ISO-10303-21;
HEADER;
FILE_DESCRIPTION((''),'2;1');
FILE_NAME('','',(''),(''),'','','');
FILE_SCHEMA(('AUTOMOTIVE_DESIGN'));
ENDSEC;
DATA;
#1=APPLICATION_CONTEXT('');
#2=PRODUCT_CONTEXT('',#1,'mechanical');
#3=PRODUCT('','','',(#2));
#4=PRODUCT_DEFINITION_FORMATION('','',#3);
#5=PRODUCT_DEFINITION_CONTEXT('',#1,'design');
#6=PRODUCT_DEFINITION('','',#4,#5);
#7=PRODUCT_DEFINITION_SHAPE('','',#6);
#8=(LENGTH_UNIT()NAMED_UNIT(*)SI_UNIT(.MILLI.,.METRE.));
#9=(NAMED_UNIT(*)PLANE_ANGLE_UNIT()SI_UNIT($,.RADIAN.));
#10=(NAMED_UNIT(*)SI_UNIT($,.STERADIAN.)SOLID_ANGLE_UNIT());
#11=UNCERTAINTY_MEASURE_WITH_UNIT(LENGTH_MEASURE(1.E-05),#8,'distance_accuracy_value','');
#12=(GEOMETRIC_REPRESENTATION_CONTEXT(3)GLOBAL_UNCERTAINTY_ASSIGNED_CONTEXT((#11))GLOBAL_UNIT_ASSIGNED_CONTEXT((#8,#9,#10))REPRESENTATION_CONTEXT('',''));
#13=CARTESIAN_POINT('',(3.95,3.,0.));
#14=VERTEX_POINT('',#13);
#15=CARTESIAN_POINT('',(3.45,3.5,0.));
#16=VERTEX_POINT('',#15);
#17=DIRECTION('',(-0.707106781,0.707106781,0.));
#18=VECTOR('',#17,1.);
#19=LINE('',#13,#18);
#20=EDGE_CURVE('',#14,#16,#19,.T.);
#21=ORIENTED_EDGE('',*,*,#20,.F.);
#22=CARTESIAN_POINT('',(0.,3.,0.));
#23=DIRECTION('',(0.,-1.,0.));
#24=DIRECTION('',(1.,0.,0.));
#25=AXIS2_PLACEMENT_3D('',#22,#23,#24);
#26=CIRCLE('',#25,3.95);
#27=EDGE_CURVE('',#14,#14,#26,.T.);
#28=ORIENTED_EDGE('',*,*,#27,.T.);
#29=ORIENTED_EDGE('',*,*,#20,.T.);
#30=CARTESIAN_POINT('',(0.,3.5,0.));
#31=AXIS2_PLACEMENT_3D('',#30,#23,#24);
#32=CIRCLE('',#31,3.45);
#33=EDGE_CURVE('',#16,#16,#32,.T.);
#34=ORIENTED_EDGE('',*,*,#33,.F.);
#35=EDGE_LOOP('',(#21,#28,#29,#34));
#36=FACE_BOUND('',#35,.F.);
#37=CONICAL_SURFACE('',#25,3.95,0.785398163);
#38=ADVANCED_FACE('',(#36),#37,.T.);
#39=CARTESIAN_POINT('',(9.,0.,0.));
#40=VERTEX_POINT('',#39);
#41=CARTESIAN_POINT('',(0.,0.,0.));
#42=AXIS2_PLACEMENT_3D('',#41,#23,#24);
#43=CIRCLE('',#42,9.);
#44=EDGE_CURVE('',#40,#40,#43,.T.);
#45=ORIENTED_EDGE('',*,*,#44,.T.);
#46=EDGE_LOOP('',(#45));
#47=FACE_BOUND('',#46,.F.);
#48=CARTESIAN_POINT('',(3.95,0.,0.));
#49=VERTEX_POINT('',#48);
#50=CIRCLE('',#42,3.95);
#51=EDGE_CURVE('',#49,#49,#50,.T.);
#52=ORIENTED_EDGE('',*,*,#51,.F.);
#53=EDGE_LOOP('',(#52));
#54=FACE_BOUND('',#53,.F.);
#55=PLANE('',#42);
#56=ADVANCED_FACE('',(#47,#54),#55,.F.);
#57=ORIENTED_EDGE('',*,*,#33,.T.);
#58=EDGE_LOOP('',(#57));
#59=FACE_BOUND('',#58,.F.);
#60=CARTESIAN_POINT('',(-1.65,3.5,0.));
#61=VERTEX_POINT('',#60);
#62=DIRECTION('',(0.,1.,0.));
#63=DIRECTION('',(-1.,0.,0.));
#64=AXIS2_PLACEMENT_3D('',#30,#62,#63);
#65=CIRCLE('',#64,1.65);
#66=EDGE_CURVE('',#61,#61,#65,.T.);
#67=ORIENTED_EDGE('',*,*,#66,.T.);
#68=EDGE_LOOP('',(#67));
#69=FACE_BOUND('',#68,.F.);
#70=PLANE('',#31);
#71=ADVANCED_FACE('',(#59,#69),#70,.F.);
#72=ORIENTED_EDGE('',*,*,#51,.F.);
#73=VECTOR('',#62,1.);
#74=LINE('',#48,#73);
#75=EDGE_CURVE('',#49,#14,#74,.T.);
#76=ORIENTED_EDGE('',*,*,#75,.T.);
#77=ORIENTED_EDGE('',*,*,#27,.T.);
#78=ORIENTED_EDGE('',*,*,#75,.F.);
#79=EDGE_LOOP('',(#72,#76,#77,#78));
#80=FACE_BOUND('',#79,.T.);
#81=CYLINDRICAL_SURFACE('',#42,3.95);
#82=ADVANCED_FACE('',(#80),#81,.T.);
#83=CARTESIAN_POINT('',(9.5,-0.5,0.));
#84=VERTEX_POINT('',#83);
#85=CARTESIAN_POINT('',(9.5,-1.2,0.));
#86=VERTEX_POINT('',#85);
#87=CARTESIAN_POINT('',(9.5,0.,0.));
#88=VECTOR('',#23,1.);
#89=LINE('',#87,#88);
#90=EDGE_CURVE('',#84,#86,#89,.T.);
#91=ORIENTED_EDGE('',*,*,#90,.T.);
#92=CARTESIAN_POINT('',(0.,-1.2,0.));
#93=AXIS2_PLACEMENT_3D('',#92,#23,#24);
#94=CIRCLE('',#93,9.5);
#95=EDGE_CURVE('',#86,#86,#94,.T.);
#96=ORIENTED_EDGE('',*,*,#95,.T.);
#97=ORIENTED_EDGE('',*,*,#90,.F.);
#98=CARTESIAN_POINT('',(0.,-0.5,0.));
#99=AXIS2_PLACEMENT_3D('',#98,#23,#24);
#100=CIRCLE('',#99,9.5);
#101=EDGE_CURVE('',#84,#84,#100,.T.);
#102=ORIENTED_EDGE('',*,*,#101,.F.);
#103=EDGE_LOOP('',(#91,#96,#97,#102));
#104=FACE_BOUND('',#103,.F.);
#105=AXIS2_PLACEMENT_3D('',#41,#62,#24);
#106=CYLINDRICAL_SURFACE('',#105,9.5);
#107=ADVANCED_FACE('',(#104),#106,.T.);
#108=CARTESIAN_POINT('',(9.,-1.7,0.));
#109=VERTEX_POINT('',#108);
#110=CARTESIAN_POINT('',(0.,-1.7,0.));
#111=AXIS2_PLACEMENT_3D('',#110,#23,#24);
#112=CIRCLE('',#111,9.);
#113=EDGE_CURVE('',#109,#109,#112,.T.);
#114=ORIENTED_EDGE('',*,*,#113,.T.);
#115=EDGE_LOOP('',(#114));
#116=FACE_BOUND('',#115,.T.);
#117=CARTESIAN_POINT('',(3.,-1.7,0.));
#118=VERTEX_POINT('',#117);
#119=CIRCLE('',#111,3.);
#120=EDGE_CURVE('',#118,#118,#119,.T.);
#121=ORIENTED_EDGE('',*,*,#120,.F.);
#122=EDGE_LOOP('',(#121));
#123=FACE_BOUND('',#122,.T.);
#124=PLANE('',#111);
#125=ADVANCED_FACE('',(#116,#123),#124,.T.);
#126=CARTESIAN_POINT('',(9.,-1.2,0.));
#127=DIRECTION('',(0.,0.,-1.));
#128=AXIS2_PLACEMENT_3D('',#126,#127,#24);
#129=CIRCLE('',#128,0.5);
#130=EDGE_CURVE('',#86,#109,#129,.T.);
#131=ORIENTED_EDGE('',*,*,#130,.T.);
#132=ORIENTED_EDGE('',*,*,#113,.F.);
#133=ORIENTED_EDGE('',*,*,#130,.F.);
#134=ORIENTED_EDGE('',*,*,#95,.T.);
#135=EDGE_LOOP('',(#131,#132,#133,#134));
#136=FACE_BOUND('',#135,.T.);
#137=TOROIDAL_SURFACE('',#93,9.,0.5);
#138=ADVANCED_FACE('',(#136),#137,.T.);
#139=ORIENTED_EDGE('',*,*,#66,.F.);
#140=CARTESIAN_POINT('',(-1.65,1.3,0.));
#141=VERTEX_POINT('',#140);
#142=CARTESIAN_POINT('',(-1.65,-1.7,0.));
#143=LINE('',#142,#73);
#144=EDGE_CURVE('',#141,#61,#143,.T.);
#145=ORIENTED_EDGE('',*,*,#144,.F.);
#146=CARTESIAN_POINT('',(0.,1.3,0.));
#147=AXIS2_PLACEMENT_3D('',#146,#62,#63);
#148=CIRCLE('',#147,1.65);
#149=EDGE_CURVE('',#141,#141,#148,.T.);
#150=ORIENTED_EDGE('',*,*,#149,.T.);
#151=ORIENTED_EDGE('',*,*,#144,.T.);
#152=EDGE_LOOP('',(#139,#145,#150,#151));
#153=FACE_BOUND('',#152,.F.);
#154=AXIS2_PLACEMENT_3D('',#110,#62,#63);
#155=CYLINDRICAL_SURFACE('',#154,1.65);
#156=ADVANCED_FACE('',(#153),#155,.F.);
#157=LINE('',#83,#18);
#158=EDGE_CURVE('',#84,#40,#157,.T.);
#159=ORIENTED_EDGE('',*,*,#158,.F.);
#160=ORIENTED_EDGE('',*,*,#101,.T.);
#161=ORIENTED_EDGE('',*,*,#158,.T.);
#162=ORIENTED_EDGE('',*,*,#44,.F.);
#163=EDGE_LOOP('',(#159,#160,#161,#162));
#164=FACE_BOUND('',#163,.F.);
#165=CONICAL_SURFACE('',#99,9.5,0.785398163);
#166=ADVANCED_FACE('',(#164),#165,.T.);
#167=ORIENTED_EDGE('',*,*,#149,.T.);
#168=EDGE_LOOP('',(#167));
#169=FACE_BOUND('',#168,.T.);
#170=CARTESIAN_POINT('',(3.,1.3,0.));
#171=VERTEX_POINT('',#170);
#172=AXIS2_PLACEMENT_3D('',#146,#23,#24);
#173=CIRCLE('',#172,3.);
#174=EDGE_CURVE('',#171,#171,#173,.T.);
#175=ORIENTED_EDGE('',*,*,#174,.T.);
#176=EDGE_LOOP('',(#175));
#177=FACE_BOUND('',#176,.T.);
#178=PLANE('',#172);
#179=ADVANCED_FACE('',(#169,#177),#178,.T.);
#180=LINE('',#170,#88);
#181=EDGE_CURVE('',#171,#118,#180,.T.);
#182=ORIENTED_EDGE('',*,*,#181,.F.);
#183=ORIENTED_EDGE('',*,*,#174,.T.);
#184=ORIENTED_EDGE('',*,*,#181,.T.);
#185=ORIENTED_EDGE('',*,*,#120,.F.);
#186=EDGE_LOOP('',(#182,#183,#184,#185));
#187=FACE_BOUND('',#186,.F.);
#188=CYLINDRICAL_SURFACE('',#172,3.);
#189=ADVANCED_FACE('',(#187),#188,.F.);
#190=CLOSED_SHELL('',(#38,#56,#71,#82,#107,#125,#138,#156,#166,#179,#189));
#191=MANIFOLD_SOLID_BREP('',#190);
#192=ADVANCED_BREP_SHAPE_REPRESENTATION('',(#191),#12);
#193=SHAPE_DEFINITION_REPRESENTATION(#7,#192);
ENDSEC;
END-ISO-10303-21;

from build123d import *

# Parameters (mm, degrees)
F0_R           = 9.5
F1_DEPTH       = 1.7
F2_R           = 3.95
F3_DEPTH       = 3.5
F4_SIZE        = 0.5
F5_R           = 0.5
F7_D           = 3.3
F7_CBORE_D     = 6
F7_CBORE_DEPTH = 3


with BuildPart() as f1:
    # F0 (on Front) → F1 (new body)
    with BuildSketch(Plane.XZ):
        Circle(F0_R)
    extrude(amount=F1_DEPTH)

    # F2 (on Front) → F3 (join)
    with BuildSketch(Plane.XZ):
        Circle(F2_R)
    extrude(amount=-F3_DEPTH)

    # F4
    f4_edges = [f1.edges().sort_by_distance(p)[0] for p in [
        (-3.95, 3.5, 0),
        (-9.5, 0, 0),
    ]]
    chamfer(f4_edges, length=F4_SIZE)

    # F5
    f5_edges = [f1.edges().sort_by_distance(p)[0] for p in [
        (-9.5, -1.7, 0),
    ]]
    fillet(f5_edges, radius=F5_R)

    # F7 (through all)
    with Locations(Plane.XZ.offset(1.7)):
        with Locations((0, 0)):
            CounterBoreHole(F7_D / 2, F7_CBORE_D / 2, F7_CBORE_DEPTH)


solid = f1.part
